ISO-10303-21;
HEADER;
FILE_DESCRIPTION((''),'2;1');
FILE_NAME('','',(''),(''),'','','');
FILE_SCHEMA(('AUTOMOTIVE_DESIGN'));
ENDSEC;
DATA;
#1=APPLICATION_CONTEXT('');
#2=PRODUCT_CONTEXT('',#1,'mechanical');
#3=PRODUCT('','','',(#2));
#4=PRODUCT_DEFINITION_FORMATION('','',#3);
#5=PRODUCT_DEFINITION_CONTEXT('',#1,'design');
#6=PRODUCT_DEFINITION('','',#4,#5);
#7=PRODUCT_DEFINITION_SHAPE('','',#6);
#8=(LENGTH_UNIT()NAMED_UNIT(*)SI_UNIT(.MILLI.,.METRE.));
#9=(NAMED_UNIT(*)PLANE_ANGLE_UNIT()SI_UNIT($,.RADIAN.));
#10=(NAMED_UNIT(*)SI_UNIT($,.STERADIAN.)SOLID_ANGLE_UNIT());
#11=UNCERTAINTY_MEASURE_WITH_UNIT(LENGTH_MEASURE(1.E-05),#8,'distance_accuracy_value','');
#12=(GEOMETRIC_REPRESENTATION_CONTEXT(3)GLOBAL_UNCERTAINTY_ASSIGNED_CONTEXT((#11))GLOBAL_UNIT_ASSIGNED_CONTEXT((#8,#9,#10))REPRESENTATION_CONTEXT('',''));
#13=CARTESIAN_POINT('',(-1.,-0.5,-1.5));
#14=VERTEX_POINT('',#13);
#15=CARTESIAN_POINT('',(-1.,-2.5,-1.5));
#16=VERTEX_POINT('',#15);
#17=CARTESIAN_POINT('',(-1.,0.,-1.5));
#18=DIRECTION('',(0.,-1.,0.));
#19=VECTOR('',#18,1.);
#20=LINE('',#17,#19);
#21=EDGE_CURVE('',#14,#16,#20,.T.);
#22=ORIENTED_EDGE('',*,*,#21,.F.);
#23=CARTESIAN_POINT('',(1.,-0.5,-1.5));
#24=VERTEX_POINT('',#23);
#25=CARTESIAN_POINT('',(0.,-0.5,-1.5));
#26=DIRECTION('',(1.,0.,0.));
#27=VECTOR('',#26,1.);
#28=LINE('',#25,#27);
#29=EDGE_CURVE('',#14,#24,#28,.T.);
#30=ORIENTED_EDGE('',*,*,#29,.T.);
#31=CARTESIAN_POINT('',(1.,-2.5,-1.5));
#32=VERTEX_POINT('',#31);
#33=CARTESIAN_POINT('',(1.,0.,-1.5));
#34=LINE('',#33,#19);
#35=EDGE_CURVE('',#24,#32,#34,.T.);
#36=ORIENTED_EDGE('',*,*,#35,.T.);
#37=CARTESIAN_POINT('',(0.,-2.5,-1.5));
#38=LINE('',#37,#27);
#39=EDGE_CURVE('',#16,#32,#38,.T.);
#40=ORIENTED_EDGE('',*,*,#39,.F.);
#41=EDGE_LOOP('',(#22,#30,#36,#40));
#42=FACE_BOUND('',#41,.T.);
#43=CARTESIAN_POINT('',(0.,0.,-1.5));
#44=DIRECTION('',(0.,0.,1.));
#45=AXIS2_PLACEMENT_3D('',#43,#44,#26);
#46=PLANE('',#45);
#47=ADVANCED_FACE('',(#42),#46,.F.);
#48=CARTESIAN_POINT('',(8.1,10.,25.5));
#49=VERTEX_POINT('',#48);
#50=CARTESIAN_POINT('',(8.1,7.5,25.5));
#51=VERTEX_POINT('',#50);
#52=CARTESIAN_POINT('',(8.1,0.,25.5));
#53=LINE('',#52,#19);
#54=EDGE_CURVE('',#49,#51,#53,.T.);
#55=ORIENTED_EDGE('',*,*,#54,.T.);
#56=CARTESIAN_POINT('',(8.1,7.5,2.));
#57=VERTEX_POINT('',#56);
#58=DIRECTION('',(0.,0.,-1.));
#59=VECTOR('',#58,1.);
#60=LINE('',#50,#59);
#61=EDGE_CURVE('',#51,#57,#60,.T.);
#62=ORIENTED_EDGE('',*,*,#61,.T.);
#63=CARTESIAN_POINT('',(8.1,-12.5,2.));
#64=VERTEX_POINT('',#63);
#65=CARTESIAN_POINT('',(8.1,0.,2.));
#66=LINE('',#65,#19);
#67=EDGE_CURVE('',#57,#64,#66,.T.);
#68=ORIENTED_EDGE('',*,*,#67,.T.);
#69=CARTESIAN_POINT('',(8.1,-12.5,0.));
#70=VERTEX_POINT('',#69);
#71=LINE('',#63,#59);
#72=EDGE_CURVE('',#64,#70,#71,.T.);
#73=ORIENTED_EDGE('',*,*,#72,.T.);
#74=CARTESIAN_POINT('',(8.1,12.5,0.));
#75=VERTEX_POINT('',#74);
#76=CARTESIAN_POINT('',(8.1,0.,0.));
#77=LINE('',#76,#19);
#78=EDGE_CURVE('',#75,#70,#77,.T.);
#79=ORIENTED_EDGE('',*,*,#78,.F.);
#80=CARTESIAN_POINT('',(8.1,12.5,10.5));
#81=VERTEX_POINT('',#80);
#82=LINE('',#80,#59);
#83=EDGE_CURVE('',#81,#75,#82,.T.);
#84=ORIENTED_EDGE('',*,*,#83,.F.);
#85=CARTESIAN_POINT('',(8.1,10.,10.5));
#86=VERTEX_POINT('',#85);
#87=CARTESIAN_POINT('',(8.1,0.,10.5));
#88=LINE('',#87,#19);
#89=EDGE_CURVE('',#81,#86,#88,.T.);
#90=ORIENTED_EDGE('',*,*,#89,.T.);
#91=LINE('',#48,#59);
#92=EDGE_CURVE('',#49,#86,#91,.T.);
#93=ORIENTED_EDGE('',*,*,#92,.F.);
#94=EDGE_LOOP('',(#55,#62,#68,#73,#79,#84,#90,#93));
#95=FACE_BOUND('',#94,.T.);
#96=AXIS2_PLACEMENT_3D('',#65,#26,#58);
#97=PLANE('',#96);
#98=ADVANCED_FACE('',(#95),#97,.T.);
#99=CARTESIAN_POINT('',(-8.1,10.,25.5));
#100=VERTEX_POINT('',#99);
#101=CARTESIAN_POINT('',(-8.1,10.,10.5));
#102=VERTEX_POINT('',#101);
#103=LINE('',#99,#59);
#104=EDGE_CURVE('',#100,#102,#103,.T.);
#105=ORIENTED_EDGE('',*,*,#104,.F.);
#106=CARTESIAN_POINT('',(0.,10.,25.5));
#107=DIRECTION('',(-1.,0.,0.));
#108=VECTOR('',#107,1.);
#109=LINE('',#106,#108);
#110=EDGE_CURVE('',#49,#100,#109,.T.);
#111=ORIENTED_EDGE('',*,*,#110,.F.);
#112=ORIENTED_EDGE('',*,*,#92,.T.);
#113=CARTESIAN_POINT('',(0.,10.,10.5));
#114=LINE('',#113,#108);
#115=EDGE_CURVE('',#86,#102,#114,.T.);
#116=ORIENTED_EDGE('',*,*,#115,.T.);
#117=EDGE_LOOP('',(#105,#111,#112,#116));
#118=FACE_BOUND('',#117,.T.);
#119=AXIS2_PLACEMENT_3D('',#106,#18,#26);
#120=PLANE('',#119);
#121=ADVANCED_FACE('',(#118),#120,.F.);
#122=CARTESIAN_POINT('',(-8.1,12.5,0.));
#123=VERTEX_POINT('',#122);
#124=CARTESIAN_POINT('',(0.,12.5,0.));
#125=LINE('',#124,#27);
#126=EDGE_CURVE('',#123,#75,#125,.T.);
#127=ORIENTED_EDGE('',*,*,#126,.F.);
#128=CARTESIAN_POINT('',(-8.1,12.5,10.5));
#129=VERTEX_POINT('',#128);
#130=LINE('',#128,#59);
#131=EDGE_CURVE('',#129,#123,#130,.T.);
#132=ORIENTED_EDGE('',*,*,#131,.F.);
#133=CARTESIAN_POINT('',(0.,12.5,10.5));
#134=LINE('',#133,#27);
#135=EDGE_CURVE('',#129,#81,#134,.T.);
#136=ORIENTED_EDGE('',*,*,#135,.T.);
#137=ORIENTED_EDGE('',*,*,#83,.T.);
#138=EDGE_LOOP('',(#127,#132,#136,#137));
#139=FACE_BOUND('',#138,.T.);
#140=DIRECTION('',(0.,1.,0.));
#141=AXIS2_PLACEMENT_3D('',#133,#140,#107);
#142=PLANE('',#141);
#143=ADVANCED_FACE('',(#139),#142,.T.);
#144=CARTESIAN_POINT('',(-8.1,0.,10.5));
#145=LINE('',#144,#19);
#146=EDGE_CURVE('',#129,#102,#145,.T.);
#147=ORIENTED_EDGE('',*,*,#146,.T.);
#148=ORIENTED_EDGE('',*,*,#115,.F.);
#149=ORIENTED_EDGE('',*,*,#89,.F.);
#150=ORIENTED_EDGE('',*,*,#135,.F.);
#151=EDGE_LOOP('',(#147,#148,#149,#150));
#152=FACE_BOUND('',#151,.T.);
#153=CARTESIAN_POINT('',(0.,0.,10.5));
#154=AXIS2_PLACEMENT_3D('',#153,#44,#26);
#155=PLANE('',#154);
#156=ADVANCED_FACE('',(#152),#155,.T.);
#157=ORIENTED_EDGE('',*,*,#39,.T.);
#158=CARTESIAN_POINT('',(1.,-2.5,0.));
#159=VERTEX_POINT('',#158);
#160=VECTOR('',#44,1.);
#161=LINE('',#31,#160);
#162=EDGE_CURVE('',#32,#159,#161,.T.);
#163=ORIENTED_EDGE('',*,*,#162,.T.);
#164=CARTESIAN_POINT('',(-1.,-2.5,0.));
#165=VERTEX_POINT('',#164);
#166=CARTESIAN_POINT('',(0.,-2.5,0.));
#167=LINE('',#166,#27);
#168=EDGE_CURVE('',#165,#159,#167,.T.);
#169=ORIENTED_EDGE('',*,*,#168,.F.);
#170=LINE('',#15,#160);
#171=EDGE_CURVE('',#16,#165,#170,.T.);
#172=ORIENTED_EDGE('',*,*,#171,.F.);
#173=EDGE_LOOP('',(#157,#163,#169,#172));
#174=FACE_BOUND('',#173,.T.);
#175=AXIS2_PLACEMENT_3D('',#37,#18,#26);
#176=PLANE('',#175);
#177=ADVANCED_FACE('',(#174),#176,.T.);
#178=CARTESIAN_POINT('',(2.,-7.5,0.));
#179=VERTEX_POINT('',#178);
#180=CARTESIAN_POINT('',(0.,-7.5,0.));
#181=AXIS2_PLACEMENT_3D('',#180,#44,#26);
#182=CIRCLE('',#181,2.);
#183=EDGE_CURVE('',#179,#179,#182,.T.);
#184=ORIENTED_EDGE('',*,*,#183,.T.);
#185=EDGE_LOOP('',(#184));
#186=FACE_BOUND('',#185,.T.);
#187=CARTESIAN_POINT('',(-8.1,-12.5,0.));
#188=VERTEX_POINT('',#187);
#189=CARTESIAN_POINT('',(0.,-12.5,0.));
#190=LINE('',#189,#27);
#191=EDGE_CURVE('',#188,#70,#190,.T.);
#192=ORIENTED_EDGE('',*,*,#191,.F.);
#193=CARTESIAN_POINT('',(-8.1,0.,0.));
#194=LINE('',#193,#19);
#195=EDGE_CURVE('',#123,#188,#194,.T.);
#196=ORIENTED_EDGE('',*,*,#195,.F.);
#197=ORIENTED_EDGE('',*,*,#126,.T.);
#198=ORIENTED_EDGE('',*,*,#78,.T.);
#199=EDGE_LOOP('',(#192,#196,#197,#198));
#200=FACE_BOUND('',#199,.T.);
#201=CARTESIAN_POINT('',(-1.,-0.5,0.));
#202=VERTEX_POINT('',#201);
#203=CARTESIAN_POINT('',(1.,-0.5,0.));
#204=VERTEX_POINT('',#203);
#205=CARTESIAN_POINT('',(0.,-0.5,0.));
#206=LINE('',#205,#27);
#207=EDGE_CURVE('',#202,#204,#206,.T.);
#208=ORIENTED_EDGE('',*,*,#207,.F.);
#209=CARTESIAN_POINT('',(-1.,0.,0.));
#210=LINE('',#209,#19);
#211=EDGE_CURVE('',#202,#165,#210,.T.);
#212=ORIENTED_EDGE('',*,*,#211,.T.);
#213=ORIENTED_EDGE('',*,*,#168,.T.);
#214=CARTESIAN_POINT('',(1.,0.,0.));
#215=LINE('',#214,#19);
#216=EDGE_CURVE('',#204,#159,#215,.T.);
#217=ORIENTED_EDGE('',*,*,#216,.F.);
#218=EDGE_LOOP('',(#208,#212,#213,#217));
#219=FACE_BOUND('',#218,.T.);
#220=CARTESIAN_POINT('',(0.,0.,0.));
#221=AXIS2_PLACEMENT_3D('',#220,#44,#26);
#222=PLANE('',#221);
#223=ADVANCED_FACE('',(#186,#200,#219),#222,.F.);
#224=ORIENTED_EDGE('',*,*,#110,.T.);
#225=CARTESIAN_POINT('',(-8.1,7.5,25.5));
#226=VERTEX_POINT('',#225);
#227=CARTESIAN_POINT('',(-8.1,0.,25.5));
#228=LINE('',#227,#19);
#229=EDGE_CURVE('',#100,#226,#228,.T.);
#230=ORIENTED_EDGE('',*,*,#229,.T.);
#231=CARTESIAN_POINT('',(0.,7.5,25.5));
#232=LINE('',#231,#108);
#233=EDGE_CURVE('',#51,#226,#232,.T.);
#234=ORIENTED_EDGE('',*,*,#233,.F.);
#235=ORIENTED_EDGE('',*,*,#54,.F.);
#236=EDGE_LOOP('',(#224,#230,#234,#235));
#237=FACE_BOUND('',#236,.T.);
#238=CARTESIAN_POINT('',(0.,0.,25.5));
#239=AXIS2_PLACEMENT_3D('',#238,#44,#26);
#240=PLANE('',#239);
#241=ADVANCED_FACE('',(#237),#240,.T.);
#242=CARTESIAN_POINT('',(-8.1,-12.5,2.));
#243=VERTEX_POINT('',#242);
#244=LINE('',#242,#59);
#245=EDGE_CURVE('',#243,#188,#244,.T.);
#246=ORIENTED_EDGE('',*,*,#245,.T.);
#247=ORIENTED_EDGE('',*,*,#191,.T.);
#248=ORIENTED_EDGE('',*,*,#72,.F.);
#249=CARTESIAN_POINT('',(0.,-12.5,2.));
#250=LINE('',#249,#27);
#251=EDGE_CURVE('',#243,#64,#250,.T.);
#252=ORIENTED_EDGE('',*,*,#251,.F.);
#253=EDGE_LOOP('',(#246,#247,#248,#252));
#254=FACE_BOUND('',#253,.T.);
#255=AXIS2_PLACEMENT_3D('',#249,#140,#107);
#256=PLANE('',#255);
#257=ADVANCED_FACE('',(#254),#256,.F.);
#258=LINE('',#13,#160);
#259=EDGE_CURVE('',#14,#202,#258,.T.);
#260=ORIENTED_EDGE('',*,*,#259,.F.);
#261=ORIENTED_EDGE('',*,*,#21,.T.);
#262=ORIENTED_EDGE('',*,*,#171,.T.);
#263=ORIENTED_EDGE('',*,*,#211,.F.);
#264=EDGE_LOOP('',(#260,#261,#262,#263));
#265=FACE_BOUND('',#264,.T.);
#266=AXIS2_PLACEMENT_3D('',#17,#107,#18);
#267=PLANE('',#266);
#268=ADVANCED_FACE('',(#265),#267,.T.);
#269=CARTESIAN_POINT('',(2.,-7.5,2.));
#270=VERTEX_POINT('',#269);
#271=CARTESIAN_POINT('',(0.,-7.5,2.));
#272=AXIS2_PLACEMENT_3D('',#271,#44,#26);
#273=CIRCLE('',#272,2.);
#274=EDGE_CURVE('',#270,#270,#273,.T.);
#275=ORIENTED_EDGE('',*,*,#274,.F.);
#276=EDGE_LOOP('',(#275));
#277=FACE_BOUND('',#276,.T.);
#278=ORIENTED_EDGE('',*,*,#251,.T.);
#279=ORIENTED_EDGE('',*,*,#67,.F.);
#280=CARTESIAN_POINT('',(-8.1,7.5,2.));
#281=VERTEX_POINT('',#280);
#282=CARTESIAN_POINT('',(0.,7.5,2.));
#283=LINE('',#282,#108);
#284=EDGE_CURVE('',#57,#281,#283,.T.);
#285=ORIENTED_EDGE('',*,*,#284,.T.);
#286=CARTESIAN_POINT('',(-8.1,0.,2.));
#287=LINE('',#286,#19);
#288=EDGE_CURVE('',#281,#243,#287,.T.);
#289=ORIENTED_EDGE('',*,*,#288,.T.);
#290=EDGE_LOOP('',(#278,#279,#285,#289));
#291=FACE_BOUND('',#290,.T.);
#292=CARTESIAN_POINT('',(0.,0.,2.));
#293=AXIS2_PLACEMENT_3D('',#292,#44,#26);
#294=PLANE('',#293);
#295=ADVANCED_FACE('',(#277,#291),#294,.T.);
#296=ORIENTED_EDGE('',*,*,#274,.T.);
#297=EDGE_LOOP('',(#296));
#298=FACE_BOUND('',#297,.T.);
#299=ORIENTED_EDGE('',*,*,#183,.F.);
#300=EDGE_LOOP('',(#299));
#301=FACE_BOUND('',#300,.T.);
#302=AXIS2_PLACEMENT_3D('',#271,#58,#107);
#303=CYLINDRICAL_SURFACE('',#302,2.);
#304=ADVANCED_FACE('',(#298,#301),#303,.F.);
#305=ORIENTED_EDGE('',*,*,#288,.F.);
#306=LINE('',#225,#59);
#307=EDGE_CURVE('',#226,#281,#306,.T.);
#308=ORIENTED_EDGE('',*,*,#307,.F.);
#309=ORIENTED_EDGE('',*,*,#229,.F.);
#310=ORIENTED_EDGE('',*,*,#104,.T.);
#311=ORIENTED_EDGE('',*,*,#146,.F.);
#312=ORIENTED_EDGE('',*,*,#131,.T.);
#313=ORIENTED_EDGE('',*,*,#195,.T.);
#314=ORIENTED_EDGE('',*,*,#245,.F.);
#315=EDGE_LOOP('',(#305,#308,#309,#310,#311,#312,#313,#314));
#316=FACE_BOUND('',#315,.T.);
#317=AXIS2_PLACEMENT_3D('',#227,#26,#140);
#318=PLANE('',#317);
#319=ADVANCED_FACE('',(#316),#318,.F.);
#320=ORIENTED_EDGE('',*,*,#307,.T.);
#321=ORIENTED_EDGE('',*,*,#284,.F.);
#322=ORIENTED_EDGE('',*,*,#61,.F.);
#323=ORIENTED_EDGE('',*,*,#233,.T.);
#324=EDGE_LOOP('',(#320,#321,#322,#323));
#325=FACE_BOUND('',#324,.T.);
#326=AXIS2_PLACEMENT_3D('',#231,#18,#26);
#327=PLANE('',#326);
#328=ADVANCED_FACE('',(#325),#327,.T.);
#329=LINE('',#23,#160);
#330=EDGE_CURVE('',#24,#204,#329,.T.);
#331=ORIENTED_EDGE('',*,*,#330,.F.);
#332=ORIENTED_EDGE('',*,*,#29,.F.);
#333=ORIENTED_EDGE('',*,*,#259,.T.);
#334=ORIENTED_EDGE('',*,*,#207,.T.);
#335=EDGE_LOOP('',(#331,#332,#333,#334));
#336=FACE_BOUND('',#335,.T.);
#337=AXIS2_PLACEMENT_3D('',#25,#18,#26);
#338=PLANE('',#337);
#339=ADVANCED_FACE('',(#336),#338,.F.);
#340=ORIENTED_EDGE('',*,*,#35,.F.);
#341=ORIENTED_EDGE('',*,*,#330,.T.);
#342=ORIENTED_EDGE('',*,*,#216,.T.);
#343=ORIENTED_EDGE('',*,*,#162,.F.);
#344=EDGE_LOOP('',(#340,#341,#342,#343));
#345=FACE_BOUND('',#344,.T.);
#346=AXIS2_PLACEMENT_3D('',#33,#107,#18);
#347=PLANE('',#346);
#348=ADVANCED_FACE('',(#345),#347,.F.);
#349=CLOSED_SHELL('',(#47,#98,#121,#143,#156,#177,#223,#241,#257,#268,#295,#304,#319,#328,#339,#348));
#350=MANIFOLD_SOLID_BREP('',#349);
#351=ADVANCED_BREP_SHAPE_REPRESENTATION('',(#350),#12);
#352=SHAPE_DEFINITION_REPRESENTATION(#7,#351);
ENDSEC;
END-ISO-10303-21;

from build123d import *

# Parameters (mm, degrees)
SKETCH1_W            = 16.2
SKETCH1_H            = 16
SKETCH1_R            = 2
BOSS_EXTRUDE3_DEPTH  = 2
SKETCH1_3_W          = 3
SKETCH1_3_H          = 2.5
BOSS_EXTRUDE4_DEPTH  = 25.5
SKETCH1_4_W          = 2
SKETCH1_4_H          = 2
BOSS_EXTRUDE5_DEPTH  = 1.5
SKETCH1_8_W          = 13.2
SKETCH1_8_H          = 2.5
BOSS_EXTRUDE6_DEPTH  = 2
SKETCH1_9_W          = 13.2
SKETCH1_9_H          = 4
SKETCH1_9_W_2        = 3
BOSS_EXTRUDE7_DEPTH  = 2
SKETCH1_11_W         = 3
SKETCH1_11_H         = 2.5
SKETCH1_11_W_2       = 13.2
BOSS_EXTRUDE9_DEPTH  = 10.5
SKETCH1_12_W         = 13.2
SKETCH1_12_H         = 2.5
BOSS_EXTRUDE10_DEPTH = 25.5


with BuildPart() as part:
    # Sketch1 → Boss-Extrude3 (new body)
    with BuildSketch(Plane.XY):
        with Locations((0, -4.5)):
            Rectangle(SKETCH1_W, SKETCH1_H)
        with Locations((0, -7.5)):
            Circle(SKETCH1_R, mode=Mode.SUBTRACT)
    extrude(amount=BOSS_EXTRUDE3_DEPTH)

    # Sketch1<4> → Boss-Extrude5 (add)
    with BuildSketch(Plane.XY):
        with Locations((0, -1.5)):
            Rectangle(SKETCH1_4_W, SKETCH1_4_H)
    extrude(amount=-BOSS_EXTRUDE5_DEPTH)



with BuildPart() as body_2:
    # Sketch1<3> → Boss-Extrude4 (new body)
    with BuildSketch(Plane.XY):
        with Locations((-6.6, 8.75)):
            Rectangle(SKETCH1_3_W, SKETCH1_3_H)
    extrude(amount=BOSS_EXTRUDE4_DEPTH)


with BuildPart() as body_3:
    # Sketch1<8> → Boss-Extrude6 (new body)
    with BuildSketch(Plane.XY):
        with Locations((1.5, 8.75)):
            Rectangle(SKETCH1_8_W, SKETCH1_8_H)
    extrude(amount=BOSS_EXTRUDE6_DEPTH)


with BuildPart() as part_1:
    add(part.part)

    add(body_2.part)  # Boss-Extrude7 merges body 2

    add(body_3.part)  # Boss-Extrude7 merges body 3
    # Sketch1<9> → Boss-Extrude7 (add)
    with BuildSketch(Plane.XY):
        with Locations((1.5, 5.5)):
            Rectangle(SKETCH1_9_W, SKETCH1_9_H)
        with Locations((-6.6, 5.5)):
            Rectangle(SKETCH1_9_W_2, SKETCH1_9_H)
    extrude(amount=BOSS_EXTRUDE7_DEPTH)

    # Sketch1<11> → Boss-Extrude9 (add)
    with BuildSketch(Plane.XY):
        with Locations((-6.6, 11.25)):
            Rectangle(SKETCH1_11_W, SKETCH1_11_H)
        with Locations((1.5, 11.25)):
            Rectangle(SKETCH1_11_W_2, SKETCH1_11_H)
    extrude(amount=BOSS_EXTRUDE9_DEPTH)

    # Sketch1<12> → Boss-Extrude10 (add)
    with BuildSketch(Plane.XY):
        with Locations((1.5, 8.75)):
            Rectangle(SKETCH1_12_W, SKETCH1_12_H)
    extrude(amount=BOSS_EXTRUDE10_DEPTH)


solid = part_1.part
